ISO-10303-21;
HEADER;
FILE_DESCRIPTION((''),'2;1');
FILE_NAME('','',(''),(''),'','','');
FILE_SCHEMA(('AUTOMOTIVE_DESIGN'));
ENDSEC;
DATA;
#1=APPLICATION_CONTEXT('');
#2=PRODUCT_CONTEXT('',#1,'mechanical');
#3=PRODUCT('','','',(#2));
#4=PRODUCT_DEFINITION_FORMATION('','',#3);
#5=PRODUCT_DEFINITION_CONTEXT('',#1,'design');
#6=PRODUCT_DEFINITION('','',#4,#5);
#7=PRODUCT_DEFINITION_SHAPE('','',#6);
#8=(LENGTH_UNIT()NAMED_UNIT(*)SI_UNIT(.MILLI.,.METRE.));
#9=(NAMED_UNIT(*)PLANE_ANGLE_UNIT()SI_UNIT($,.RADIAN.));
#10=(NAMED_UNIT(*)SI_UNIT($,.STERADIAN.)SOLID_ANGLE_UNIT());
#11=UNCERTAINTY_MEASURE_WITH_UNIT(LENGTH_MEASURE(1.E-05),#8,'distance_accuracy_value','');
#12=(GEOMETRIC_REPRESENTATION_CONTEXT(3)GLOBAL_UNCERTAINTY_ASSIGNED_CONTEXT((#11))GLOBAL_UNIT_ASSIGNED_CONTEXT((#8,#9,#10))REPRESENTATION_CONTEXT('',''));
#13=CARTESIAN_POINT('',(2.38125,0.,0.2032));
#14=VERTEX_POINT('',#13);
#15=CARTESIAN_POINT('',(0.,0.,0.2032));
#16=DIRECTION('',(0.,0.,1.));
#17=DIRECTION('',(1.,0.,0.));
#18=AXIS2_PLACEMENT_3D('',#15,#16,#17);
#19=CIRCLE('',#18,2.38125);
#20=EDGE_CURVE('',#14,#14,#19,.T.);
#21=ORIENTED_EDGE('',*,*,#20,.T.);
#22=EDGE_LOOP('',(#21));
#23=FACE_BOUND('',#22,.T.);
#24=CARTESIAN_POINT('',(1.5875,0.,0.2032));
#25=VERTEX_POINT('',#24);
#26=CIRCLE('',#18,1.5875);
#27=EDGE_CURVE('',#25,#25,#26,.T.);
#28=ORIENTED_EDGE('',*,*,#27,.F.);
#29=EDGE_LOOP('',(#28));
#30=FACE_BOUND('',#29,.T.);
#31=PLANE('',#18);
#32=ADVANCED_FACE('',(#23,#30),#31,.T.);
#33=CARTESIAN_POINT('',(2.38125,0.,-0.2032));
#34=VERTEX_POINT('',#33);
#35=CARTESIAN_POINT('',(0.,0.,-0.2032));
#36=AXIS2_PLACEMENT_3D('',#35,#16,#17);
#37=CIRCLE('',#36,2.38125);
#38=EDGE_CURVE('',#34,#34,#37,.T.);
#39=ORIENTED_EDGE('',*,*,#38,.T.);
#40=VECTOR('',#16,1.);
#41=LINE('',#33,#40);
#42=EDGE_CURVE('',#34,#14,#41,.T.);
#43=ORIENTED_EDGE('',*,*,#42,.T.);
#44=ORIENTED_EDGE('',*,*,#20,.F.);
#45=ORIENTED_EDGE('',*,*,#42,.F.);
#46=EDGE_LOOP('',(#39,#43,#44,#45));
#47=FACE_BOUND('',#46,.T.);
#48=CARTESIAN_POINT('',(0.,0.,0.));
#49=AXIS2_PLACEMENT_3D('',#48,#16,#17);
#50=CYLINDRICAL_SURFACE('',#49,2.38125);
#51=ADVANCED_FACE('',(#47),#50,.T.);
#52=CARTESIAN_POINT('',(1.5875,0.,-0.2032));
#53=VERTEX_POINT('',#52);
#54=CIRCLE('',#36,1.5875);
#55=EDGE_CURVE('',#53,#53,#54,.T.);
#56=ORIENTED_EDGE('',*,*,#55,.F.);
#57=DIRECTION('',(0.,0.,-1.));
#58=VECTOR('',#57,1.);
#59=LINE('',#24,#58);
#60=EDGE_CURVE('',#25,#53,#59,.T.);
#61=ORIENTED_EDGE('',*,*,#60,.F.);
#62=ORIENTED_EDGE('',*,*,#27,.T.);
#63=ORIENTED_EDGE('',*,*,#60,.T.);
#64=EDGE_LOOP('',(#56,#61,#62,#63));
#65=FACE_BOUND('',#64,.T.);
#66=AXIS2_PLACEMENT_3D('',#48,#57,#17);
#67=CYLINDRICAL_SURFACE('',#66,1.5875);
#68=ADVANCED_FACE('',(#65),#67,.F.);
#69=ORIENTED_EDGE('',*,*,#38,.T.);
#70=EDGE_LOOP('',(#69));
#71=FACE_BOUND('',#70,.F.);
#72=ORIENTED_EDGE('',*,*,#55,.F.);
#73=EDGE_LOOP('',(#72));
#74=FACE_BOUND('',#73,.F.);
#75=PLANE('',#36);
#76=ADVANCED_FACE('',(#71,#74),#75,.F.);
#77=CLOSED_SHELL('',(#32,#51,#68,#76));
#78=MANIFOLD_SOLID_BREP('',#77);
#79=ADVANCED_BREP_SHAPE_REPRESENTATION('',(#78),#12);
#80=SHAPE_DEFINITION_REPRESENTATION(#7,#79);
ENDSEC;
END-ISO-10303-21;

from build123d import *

# Parameters (mm, degrees)
SKETCH3_R           = 2.38125
SKETCH3_R_2         = 1.5875
BOSS_EXTRUDE1_DEPTH = 0.2032


with BuildPart() as part:
    # Sketch3 → Boss-Extrude1 (new, symmetric)
    with BuildSketch(Plane.XY):
        Circle(SKETCH3_R)
        Circle(SKETCH3_R_2, mode=Mode.SUBTRACT)
    extrude(amount=BOSS_EXTRUDE1_DEPTH, both=True)


solid = part.part
